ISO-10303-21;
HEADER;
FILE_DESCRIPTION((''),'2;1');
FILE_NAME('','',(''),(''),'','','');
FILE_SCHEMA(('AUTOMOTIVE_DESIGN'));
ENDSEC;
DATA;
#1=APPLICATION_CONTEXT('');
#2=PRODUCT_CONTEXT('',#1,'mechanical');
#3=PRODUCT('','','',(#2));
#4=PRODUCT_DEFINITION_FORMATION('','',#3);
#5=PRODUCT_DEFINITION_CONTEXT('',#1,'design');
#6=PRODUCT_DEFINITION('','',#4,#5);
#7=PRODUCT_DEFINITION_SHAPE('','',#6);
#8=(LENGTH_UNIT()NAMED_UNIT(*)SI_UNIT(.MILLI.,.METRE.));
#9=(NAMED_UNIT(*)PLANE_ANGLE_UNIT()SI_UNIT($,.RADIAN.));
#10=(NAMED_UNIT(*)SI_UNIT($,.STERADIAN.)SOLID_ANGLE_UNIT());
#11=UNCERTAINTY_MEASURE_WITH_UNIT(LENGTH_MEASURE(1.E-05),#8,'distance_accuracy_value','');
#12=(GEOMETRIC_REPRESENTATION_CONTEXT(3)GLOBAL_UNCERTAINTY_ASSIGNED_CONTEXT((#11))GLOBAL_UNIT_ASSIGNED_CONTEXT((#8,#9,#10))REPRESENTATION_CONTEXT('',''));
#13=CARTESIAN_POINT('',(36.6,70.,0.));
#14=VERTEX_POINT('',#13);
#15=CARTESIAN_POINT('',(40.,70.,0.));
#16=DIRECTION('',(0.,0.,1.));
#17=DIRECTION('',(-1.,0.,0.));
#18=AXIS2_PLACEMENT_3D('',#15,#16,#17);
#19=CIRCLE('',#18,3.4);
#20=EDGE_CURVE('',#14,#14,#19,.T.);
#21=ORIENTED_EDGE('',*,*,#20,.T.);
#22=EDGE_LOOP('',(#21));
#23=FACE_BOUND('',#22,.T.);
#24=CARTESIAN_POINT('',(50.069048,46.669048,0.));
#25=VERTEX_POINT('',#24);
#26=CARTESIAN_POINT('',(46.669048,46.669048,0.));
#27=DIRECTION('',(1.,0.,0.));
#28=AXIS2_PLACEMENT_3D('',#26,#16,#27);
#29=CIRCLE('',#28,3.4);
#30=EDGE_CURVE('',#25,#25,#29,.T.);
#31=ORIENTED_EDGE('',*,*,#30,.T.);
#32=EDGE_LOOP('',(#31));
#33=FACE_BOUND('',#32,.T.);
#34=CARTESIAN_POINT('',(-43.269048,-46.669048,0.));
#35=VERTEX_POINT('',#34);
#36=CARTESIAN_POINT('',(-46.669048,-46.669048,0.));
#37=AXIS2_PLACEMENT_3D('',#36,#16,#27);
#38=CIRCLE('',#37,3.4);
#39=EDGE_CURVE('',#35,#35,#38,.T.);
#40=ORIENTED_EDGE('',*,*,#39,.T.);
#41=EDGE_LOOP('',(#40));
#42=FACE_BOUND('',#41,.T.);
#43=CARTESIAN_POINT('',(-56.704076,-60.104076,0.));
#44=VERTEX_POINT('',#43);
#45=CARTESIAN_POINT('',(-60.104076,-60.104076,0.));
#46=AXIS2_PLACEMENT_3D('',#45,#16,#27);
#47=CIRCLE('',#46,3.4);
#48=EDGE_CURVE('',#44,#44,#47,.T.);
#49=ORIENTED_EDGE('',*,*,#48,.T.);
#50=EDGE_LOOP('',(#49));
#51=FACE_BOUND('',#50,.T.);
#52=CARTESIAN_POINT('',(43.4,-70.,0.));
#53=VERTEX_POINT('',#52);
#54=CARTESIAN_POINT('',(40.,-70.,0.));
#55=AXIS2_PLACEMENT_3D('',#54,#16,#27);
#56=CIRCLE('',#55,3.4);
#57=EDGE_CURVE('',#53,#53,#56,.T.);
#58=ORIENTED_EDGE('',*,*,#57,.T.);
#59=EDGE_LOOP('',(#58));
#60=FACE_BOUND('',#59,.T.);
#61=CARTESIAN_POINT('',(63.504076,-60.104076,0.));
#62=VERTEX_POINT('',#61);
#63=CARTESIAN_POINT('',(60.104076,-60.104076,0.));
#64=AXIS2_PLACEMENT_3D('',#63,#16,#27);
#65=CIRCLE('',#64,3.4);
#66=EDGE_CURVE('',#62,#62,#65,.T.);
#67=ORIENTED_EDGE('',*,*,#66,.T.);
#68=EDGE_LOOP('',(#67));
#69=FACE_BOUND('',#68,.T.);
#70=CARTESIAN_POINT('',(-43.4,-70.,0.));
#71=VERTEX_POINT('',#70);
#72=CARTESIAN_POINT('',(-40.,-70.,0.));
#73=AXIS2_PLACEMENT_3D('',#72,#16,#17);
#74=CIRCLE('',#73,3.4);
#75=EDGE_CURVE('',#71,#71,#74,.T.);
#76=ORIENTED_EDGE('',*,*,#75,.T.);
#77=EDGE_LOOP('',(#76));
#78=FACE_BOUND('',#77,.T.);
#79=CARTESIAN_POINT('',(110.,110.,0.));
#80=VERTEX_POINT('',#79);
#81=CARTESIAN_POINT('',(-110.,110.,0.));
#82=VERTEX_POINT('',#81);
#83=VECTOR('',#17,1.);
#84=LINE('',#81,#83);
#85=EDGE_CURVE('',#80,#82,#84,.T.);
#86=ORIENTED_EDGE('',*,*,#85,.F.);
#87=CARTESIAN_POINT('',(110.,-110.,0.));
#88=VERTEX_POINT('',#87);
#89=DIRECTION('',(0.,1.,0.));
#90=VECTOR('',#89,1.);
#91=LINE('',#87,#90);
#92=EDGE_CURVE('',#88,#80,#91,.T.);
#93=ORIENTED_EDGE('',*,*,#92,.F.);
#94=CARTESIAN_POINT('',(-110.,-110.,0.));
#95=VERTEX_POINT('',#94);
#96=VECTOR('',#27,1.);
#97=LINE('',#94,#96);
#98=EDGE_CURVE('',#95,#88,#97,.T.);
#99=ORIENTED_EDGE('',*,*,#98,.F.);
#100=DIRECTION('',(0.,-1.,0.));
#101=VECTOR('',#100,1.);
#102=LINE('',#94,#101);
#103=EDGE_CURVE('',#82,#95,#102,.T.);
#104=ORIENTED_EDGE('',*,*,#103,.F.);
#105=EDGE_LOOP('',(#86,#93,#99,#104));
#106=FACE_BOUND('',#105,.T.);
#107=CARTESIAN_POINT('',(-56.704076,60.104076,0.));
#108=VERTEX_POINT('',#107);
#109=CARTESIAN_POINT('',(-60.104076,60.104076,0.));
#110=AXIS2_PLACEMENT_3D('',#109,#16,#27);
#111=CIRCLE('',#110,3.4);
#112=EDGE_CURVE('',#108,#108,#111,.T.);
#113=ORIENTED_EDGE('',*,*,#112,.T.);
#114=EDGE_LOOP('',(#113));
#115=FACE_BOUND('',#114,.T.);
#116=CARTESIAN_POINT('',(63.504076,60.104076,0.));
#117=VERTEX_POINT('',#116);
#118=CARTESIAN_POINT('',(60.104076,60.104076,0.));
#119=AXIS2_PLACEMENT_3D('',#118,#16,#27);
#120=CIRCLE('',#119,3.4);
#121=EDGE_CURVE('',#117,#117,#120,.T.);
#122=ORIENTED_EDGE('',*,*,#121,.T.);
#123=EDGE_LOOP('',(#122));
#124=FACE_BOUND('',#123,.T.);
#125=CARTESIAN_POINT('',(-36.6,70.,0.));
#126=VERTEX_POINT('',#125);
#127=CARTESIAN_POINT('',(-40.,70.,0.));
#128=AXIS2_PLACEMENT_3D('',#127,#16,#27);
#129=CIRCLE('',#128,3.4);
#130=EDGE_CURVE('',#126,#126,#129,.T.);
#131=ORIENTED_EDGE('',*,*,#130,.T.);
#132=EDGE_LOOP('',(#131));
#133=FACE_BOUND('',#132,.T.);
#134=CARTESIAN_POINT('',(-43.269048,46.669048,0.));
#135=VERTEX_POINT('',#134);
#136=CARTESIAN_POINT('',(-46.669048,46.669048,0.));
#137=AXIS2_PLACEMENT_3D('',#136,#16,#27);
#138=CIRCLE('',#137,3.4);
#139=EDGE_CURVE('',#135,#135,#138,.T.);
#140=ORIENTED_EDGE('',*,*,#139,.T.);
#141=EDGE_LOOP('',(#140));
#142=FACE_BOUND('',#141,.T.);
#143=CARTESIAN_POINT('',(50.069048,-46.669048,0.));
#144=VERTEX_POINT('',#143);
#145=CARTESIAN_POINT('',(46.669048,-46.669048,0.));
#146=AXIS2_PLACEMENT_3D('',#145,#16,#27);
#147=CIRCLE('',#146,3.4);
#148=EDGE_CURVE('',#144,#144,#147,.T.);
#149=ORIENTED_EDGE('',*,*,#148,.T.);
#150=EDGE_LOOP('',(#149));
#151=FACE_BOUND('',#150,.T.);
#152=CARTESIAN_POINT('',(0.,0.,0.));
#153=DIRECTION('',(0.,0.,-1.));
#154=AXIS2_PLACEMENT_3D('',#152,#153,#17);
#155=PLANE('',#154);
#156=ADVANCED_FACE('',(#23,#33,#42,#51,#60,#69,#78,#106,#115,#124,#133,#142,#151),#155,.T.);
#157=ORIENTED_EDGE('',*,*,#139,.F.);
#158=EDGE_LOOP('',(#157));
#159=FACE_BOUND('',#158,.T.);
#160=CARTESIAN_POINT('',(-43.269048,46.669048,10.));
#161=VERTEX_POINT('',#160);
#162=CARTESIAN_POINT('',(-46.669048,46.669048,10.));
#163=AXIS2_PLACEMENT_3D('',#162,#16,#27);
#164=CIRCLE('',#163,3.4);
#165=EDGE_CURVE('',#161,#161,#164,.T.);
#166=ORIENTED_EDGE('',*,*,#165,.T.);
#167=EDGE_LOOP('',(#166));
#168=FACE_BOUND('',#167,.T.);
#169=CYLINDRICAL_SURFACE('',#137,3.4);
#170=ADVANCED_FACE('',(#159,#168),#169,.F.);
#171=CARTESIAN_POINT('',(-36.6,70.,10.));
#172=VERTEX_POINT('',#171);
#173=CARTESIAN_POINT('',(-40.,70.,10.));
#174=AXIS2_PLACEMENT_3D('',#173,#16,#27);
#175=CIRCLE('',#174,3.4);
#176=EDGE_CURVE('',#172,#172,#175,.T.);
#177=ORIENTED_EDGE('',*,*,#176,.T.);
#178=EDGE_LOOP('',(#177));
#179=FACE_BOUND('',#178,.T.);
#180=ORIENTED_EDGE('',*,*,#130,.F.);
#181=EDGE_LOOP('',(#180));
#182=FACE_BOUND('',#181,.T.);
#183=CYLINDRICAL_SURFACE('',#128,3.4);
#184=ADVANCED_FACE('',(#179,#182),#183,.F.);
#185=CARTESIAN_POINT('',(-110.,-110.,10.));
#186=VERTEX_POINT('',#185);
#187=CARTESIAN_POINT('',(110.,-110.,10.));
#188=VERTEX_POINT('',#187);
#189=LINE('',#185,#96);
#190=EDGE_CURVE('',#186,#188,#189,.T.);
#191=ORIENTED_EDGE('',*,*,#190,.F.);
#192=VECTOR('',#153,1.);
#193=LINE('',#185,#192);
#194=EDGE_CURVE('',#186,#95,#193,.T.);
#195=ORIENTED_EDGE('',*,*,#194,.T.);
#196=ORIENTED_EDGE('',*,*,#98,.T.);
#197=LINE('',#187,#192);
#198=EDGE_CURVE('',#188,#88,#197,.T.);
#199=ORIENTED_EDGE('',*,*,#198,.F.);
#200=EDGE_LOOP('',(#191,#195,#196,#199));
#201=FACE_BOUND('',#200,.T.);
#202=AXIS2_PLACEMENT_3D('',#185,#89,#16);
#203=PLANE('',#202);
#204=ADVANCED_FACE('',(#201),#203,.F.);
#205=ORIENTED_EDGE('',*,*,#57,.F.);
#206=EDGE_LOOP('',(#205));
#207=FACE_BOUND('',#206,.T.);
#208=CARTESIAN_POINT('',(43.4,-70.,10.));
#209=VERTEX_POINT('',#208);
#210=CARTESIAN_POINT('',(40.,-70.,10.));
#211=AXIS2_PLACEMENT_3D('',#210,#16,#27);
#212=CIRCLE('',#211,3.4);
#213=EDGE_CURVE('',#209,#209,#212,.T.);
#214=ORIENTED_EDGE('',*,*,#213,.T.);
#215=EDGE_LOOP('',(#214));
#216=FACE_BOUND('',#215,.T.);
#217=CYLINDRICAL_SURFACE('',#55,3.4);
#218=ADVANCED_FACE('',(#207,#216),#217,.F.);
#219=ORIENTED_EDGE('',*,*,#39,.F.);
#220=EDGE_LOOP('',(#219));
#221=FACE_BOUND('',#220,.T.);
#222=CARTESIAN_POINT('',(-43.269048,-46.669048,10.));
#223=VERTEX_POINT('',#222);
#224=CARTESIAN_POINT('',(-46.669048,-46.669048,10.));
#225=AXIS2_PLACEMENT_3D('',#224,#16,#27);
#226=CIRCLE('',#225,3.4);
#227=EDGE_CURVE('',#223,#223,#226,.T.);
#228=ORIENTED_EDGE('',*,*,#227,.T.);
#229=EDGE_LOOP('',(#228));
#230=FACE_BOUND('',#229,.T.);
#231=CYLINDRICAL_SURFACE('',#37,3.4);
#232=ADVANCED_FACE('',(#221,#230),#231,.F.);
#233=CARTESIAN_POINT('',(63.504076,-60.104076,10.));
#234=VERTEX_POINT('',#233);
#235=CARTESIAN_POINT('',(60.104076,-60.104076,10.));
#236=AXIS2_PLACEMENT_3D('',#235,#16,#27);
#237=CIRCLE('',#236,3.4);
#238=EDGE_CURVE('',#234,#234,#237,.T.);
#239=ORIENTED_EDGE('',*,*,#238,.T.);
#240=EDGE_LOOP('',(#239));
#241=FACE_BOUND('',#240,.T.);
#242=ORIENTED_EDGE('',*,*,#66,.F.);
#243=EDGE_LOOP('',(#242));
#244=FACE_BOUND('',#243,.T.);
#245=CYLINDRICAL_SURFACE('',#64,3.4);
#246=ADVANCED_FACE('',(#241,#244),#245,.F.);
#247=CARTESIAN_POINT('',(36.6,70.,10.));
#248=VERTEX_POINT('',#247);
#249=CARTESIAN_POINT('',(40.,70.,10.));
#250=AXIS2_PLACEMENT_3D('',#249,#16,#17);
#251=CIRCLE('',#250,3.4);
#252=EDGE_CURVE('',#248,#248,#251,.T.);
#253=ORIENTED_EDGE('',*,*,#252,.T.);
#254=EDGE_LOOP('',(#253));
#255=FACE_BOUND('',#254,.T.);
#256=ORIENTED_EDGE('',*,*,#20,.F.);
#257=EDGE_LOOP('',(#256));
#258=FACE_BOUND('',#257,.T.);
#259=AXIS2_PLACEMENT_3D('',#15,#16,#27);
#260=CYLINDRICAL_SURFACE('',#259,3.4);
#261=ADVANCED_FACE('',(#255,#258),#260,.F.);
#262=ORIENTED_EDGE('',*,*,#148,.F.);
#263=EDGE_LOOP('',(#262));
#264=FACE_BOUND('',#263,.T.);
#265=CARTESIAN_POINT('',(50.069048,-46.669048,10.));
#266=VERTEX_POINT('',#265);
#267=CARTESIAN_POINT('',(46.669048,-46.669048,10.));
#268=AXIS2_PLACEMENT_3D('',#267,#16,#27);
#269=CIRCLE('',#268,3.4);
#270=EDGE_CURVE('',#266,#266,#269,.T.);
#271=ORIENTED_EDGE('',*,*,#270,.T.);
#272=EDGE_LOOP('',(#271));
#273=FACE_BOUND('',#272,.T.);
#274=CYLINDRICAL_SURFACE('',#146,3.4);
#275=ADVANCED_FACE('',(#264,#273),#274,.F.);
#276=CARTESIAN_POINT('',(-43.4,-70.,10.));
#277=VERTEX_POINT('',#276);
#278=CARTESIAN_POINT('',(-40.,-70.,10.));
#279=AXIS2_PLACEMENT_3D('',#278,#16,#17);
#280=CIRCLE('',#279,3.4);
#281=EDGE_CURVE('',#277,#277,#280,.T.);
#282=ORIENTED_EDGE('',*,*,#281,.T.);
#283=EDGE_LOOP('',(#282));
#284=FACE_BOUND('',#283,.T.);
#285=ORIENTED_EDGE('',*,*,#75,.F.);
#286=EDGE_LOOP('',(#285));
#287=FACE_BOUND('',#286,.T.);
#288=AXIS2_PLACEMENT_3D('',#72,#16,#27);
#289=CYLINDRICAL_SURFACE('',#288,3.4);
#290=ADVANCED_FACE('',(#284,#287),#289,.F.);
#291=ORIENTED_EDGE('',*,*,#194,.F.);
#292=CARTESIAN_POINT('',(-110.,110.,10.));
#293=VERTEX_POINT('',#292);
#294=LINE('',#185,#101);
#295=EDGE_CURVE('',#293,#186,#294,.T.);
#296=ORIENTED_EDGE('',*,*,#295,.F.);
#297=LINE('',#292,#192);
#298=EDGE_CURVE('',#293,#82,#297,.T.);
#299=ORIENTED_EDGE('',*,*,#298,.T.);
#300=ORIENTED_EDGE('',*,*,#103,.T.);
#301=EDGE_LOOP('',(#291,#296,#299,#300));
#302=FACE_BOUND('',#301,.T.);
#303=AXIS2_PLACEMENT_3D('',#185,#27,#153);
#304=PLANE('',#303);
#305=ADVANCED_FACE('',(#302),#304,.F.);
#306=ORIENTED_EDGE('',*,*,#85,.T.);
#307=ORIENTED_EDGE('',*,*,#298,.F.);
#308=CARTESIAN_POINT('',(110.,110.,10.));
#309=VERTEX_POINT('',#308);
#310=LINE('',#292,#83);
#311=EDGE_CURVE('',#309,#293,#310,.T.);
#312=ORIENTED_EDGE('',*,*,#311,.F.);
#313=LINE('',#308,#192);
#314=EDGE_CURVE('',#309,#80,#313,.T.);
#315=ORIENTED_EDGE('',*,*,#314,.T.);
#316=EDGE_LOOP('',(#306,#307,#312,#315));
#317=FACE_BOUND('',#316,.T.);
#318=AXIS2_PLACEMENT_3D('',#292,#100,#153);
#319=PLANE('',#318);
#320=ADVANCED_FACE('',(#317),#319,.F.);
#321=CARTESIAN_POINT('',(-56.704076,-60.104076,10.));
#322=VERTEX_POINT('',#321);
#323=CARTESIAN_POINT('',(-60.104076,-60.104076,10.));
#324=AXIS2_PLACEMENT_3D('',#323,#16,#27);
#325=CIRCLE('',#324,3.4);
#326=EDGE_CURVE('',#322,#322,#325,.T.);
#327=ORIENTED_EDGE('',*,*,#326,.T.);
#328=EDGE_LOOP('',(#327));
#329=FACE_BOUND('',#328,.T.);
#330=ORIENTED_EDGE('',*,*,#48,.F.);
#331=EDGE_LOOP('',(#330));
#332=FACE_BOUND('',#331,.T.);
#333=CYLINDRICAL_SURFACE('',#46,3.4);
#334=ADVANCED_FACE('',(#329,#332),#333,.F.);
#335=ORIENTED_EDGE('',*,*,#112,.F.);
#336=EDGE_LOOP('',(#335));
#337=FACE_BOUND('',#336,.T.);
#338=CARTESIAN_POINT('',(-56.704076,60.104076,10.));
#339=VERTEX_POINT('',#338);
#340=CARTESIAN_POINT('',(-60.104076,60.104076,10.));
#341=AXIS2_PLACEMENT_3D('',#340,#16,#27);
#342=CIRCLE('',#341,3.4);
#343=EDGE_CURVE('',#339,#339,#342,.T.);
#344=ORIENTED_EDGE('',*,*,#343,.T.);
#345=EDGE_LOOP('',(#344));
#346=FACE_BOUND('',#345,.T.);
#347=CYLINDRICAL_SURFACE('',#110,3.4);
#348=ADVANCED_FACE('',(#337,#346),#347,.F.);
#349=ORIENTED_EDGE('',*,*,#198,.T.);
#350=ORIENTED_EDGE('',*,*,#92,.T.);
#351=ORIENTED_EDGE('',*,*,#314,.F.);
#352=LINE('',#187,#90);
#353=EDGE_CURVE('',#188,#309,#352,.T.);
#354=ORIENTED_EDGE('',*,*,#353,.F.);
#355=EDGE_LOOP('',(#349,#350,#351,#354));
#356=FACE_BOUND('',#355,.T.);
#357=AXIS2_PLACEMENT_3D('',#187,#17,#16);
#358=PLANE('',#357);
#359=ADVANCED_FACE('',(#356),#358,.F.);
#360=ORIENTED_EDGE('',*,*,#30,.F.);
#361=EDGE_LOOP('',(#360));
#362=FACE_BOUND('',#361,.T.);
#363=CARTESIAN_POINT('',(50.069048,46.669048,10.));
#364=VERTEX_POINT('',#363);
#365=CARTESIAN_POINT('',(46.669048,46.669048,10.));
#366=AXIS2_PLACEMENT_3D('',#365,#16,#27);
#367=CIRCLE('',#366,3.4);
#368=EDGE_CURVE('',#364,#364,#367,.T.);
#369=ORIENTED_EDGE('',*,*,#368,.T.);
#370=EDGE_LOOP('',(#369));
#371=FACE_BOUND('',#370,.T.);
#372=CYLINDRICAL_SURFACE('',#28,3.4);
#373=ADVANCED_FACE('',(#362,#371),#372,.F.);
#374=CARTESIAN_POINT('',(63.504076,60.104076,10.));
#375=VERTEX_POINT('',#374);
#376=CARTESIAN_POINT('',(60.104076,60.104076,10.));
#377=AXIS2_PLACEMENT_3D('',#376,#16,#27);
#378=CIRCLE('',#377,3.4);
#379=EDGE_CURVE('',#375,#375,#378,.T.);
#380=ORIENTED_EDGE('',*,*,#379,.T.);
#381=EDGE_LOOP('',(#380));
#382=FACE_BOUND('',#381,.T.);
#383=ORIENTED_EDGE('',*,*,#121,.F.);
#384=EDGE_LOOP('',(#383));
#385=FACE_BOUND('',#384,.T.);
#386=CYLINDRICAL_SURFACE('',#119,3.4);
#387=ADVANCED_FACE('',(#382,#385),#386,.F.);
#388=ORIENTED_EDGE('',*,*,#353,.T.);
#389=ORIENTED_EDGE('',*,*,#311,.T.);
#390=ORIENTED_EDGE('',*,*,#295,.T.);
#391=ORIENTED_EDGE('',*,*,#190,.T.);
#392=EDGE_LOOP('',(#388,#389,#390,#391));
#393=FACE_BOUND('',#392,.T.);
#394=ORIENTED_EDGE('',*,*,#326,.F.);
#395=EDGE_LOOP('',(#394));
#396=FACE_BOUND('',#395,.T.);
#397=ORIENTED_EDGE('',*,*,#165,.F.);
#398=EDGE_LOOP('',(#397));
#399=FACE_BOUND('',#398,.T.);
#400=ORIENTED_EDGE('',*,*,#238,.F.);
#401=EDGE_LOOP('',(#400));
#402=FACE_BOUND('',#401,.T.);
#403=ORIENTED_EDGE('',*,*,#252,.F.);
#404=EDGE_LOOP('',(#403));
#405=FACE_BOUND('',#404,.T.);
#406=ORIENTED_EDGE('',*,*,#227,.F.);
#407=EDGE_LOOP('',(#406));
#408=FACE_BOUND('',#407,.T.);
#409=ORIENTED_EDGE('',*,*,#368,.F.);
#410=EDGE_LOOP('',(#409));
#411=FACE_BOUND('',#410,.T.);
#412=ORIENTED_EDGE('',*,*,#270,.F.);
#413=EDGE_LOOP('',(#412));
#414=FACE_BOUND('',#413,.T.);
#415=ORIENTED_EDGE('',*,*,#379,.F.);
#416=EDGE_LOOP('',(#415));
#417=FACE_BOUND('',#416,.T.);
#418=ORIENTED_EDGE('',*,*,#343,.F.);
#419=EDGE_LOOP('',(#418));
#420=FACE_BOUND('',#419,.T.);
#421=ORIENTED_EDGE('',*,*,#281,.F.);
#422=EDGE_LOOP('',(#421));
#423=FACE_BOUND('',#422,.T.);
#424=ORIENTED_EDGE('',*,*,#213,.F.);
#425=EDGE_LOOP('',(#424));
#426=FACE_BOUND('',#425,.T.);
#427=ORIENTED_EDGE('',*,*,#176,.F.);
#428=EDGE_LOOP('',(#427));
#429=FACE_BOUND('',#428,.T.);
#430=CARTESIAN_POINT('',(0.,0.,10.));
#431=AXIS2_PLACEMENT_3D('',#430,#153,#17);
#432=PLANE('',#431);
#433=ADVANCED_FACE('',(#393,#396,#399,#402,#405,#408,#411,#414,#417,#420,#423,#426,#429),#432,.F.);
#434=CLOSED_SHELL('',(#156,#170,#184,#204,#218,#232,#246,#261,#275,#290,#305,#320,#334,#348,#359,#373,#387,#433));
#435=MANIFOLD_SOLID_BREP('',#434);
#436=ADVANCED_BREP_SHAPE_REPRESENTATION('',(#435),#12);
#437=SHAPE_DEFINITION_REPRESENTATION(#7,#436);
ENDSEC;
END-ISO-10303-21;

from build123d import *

# Parameters (mm, degrees)
SKIZZE1_W                       = 220
SKIZZE1_H                       = 220
AUFSATZ_LINEAR_AUSTRAGEN1_DEPTH = 10
SKIZZE2_R                       = 3.4
SCHNITT_LINEAR_AUSTRAGEN1_DEPTH = 156.884572681
SKIZZE3_R                       = 3.4
SCHNITT_LINEAR_AUSTRAGEN2_DEPTH = 156.884572681


with BuildPart() as part:
    # Skizze1 → Aufsatz-Linear austragen1 (new body)
    with BuildSketch(Plane.XY):
        Rectangle(SKIZZE1_W, SKIZZE1_H)
    extrude(amount=AUFSATZ_LINEAR_AUSTRAGEN1_DEPTH)

    # Skizze2 → Schnitt-Linear austragen1 (cut, through all)
    with BuildSketch(Plane.XY.offset(10)):
        with Locations((46.669047558, 46.669047558)):
            Circle(SKIZZE2_R)
        with Locations((46.669047558, -46.669047558)):
            Circle(SKIZZE2_R)
        with Locations((-46.669047558, -46.669047558)):
            Circle(SKIZZE2_R)
        with Locations((-46.669047558, 46.669047558)):
            Circle(SKIZZE2_R)
        with Locations((60.104076401, 60.104076401)):
            Circle(SKIZZE2_R)
        with Locations((60.104076401, -60.104076401)):
            Circle(SKIZZE2_R)
        with Locations((-60.104076401, -60.104076401)):
            Circle(SKIZZE2_R)
        with Locations((-60.104076401, 60.104076401)):
            Circle(SKIZZE2_R)
    extrude(amount=-SCHNITT_LINEAR_AUSTRAGEN1_DEPTH, mode=Mode.SUBTRACT)

    # Skizze3 → Schnitt-Linear austragen2 (cut, through all)
    with BuildSketch(Plane.XY.offset(10)):
        with Locations((40, -70)):
            Circle(SKIZZE3_R)
        with Locations((-40, -70)):
            Circle(SKIZZE3_R)
        with Locations((40, 70)):
            Circle(SKIZZE3_R)
        with Locations((-40, 70)):
            Circle(SKIZZE3_R)
    extrude(amount=-SCHNITT_LINEAR_AUSTRAGEN2_DEPTH, mode=Mode.SUBTRACT)


solid = part.part
